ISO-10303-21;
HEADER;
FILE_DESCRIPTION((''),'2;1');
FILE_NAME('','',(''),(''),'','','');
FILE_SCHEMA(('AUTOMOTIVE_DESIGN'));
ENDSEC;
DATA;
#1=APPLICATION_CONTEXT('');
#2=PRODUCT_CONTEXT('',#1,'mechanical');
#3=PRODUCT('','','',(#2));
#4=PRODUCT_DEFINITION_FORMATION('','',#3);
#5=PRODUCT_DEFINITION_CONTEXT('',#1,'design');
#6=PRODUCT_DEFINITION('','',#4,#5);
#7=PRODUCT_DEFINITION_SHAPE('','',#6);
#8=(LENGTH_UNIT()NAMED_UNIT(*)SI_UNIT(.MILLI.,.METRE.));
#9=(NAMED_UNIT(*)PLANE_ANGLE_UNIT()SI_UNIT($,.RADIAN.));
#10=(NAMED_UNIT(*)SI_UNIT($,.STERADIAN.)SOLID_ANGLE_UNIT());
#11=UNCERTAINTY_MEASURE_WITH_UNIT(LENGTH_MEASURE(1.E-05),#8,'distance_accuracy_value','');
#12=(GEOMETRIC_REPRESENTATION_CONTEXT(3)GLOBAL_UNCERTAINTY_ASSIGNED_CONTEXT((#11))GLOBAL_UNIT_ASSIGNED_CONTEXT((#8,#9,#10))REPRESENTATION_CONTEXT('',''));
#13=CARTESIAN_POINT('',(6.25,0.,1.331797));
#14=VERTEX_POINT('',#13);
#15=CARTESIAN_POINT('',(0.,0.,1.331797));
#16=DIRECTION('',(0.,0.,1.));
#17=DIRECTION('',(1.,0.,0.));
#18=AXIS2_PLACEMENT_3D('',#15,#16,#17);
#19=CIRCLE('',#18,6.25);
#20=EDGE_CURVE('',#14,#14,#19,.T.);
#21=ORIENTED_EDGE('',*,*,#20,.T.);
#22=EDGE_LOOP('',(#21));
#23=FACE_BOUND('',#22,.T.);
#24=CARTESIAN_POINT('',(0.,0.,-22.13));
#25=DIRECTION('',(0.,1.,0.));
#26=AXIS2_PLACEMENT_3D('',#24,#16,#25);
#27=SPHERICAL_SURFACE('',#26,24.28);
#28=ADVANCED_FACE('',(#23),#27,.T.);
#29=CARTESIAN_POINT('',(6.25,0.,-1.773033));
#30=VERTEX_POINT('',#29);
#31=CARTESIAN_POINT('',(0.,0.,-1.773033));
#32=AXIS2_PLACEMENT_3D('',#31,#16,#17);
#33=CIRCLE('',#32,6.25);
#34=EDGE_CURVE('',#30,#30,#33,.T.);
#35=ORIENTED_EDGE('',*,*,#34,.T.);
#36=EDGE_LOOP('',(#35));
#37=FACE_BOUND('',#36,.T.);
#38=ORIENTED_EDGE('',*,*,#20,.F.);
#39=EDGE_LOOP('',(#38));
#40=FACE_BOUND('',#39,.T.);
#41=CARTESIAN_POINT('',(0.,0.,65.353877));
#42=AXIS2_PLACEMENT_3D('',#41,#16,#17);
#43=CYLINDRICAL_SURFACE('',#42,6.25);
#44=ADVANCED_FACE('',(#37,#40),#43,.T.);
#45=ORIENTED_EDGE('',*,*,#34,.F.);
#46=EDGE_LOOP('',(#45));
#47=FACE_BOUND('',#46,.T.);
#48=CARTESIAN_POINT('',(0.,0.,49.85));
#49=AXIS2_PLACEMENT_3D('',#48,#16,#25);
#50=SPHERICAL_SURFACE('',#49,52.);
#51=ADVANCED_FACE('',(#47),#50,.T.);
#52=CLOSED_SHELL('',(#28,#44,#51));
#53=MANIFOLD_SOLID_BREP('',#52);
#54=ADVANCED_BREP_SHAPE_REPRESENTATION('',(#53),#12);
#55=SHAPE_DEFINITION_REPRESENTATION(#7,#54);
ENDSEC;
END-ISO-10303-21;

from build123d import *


with BuildPart() as part:
    # Skica1 → Rotovat1 (revolve)
    with BuildSketch(Plane(origin=(0, 0, 0), x_dir=(0, 0, -1), z_dir=(1, 0, 0))):
        with BuildLine():
            Line((-1.331796606, 6.25), (1.77303265, 6.25))
            ThreePointArc((1.77303265, 6.25), (2.055672608, 3.130679015), (2.15, 0))
            Line((2.15, 0), (-2.15, 0))
            ThreePointArc((-2.15, 0), (-1.944580179, 3.151664512), (-1.331796606, 6.25))
        make_face()
    revolve(axis=Axis((0, 0, 65.353876671), (0, 0, -1)))


solid = part.part
